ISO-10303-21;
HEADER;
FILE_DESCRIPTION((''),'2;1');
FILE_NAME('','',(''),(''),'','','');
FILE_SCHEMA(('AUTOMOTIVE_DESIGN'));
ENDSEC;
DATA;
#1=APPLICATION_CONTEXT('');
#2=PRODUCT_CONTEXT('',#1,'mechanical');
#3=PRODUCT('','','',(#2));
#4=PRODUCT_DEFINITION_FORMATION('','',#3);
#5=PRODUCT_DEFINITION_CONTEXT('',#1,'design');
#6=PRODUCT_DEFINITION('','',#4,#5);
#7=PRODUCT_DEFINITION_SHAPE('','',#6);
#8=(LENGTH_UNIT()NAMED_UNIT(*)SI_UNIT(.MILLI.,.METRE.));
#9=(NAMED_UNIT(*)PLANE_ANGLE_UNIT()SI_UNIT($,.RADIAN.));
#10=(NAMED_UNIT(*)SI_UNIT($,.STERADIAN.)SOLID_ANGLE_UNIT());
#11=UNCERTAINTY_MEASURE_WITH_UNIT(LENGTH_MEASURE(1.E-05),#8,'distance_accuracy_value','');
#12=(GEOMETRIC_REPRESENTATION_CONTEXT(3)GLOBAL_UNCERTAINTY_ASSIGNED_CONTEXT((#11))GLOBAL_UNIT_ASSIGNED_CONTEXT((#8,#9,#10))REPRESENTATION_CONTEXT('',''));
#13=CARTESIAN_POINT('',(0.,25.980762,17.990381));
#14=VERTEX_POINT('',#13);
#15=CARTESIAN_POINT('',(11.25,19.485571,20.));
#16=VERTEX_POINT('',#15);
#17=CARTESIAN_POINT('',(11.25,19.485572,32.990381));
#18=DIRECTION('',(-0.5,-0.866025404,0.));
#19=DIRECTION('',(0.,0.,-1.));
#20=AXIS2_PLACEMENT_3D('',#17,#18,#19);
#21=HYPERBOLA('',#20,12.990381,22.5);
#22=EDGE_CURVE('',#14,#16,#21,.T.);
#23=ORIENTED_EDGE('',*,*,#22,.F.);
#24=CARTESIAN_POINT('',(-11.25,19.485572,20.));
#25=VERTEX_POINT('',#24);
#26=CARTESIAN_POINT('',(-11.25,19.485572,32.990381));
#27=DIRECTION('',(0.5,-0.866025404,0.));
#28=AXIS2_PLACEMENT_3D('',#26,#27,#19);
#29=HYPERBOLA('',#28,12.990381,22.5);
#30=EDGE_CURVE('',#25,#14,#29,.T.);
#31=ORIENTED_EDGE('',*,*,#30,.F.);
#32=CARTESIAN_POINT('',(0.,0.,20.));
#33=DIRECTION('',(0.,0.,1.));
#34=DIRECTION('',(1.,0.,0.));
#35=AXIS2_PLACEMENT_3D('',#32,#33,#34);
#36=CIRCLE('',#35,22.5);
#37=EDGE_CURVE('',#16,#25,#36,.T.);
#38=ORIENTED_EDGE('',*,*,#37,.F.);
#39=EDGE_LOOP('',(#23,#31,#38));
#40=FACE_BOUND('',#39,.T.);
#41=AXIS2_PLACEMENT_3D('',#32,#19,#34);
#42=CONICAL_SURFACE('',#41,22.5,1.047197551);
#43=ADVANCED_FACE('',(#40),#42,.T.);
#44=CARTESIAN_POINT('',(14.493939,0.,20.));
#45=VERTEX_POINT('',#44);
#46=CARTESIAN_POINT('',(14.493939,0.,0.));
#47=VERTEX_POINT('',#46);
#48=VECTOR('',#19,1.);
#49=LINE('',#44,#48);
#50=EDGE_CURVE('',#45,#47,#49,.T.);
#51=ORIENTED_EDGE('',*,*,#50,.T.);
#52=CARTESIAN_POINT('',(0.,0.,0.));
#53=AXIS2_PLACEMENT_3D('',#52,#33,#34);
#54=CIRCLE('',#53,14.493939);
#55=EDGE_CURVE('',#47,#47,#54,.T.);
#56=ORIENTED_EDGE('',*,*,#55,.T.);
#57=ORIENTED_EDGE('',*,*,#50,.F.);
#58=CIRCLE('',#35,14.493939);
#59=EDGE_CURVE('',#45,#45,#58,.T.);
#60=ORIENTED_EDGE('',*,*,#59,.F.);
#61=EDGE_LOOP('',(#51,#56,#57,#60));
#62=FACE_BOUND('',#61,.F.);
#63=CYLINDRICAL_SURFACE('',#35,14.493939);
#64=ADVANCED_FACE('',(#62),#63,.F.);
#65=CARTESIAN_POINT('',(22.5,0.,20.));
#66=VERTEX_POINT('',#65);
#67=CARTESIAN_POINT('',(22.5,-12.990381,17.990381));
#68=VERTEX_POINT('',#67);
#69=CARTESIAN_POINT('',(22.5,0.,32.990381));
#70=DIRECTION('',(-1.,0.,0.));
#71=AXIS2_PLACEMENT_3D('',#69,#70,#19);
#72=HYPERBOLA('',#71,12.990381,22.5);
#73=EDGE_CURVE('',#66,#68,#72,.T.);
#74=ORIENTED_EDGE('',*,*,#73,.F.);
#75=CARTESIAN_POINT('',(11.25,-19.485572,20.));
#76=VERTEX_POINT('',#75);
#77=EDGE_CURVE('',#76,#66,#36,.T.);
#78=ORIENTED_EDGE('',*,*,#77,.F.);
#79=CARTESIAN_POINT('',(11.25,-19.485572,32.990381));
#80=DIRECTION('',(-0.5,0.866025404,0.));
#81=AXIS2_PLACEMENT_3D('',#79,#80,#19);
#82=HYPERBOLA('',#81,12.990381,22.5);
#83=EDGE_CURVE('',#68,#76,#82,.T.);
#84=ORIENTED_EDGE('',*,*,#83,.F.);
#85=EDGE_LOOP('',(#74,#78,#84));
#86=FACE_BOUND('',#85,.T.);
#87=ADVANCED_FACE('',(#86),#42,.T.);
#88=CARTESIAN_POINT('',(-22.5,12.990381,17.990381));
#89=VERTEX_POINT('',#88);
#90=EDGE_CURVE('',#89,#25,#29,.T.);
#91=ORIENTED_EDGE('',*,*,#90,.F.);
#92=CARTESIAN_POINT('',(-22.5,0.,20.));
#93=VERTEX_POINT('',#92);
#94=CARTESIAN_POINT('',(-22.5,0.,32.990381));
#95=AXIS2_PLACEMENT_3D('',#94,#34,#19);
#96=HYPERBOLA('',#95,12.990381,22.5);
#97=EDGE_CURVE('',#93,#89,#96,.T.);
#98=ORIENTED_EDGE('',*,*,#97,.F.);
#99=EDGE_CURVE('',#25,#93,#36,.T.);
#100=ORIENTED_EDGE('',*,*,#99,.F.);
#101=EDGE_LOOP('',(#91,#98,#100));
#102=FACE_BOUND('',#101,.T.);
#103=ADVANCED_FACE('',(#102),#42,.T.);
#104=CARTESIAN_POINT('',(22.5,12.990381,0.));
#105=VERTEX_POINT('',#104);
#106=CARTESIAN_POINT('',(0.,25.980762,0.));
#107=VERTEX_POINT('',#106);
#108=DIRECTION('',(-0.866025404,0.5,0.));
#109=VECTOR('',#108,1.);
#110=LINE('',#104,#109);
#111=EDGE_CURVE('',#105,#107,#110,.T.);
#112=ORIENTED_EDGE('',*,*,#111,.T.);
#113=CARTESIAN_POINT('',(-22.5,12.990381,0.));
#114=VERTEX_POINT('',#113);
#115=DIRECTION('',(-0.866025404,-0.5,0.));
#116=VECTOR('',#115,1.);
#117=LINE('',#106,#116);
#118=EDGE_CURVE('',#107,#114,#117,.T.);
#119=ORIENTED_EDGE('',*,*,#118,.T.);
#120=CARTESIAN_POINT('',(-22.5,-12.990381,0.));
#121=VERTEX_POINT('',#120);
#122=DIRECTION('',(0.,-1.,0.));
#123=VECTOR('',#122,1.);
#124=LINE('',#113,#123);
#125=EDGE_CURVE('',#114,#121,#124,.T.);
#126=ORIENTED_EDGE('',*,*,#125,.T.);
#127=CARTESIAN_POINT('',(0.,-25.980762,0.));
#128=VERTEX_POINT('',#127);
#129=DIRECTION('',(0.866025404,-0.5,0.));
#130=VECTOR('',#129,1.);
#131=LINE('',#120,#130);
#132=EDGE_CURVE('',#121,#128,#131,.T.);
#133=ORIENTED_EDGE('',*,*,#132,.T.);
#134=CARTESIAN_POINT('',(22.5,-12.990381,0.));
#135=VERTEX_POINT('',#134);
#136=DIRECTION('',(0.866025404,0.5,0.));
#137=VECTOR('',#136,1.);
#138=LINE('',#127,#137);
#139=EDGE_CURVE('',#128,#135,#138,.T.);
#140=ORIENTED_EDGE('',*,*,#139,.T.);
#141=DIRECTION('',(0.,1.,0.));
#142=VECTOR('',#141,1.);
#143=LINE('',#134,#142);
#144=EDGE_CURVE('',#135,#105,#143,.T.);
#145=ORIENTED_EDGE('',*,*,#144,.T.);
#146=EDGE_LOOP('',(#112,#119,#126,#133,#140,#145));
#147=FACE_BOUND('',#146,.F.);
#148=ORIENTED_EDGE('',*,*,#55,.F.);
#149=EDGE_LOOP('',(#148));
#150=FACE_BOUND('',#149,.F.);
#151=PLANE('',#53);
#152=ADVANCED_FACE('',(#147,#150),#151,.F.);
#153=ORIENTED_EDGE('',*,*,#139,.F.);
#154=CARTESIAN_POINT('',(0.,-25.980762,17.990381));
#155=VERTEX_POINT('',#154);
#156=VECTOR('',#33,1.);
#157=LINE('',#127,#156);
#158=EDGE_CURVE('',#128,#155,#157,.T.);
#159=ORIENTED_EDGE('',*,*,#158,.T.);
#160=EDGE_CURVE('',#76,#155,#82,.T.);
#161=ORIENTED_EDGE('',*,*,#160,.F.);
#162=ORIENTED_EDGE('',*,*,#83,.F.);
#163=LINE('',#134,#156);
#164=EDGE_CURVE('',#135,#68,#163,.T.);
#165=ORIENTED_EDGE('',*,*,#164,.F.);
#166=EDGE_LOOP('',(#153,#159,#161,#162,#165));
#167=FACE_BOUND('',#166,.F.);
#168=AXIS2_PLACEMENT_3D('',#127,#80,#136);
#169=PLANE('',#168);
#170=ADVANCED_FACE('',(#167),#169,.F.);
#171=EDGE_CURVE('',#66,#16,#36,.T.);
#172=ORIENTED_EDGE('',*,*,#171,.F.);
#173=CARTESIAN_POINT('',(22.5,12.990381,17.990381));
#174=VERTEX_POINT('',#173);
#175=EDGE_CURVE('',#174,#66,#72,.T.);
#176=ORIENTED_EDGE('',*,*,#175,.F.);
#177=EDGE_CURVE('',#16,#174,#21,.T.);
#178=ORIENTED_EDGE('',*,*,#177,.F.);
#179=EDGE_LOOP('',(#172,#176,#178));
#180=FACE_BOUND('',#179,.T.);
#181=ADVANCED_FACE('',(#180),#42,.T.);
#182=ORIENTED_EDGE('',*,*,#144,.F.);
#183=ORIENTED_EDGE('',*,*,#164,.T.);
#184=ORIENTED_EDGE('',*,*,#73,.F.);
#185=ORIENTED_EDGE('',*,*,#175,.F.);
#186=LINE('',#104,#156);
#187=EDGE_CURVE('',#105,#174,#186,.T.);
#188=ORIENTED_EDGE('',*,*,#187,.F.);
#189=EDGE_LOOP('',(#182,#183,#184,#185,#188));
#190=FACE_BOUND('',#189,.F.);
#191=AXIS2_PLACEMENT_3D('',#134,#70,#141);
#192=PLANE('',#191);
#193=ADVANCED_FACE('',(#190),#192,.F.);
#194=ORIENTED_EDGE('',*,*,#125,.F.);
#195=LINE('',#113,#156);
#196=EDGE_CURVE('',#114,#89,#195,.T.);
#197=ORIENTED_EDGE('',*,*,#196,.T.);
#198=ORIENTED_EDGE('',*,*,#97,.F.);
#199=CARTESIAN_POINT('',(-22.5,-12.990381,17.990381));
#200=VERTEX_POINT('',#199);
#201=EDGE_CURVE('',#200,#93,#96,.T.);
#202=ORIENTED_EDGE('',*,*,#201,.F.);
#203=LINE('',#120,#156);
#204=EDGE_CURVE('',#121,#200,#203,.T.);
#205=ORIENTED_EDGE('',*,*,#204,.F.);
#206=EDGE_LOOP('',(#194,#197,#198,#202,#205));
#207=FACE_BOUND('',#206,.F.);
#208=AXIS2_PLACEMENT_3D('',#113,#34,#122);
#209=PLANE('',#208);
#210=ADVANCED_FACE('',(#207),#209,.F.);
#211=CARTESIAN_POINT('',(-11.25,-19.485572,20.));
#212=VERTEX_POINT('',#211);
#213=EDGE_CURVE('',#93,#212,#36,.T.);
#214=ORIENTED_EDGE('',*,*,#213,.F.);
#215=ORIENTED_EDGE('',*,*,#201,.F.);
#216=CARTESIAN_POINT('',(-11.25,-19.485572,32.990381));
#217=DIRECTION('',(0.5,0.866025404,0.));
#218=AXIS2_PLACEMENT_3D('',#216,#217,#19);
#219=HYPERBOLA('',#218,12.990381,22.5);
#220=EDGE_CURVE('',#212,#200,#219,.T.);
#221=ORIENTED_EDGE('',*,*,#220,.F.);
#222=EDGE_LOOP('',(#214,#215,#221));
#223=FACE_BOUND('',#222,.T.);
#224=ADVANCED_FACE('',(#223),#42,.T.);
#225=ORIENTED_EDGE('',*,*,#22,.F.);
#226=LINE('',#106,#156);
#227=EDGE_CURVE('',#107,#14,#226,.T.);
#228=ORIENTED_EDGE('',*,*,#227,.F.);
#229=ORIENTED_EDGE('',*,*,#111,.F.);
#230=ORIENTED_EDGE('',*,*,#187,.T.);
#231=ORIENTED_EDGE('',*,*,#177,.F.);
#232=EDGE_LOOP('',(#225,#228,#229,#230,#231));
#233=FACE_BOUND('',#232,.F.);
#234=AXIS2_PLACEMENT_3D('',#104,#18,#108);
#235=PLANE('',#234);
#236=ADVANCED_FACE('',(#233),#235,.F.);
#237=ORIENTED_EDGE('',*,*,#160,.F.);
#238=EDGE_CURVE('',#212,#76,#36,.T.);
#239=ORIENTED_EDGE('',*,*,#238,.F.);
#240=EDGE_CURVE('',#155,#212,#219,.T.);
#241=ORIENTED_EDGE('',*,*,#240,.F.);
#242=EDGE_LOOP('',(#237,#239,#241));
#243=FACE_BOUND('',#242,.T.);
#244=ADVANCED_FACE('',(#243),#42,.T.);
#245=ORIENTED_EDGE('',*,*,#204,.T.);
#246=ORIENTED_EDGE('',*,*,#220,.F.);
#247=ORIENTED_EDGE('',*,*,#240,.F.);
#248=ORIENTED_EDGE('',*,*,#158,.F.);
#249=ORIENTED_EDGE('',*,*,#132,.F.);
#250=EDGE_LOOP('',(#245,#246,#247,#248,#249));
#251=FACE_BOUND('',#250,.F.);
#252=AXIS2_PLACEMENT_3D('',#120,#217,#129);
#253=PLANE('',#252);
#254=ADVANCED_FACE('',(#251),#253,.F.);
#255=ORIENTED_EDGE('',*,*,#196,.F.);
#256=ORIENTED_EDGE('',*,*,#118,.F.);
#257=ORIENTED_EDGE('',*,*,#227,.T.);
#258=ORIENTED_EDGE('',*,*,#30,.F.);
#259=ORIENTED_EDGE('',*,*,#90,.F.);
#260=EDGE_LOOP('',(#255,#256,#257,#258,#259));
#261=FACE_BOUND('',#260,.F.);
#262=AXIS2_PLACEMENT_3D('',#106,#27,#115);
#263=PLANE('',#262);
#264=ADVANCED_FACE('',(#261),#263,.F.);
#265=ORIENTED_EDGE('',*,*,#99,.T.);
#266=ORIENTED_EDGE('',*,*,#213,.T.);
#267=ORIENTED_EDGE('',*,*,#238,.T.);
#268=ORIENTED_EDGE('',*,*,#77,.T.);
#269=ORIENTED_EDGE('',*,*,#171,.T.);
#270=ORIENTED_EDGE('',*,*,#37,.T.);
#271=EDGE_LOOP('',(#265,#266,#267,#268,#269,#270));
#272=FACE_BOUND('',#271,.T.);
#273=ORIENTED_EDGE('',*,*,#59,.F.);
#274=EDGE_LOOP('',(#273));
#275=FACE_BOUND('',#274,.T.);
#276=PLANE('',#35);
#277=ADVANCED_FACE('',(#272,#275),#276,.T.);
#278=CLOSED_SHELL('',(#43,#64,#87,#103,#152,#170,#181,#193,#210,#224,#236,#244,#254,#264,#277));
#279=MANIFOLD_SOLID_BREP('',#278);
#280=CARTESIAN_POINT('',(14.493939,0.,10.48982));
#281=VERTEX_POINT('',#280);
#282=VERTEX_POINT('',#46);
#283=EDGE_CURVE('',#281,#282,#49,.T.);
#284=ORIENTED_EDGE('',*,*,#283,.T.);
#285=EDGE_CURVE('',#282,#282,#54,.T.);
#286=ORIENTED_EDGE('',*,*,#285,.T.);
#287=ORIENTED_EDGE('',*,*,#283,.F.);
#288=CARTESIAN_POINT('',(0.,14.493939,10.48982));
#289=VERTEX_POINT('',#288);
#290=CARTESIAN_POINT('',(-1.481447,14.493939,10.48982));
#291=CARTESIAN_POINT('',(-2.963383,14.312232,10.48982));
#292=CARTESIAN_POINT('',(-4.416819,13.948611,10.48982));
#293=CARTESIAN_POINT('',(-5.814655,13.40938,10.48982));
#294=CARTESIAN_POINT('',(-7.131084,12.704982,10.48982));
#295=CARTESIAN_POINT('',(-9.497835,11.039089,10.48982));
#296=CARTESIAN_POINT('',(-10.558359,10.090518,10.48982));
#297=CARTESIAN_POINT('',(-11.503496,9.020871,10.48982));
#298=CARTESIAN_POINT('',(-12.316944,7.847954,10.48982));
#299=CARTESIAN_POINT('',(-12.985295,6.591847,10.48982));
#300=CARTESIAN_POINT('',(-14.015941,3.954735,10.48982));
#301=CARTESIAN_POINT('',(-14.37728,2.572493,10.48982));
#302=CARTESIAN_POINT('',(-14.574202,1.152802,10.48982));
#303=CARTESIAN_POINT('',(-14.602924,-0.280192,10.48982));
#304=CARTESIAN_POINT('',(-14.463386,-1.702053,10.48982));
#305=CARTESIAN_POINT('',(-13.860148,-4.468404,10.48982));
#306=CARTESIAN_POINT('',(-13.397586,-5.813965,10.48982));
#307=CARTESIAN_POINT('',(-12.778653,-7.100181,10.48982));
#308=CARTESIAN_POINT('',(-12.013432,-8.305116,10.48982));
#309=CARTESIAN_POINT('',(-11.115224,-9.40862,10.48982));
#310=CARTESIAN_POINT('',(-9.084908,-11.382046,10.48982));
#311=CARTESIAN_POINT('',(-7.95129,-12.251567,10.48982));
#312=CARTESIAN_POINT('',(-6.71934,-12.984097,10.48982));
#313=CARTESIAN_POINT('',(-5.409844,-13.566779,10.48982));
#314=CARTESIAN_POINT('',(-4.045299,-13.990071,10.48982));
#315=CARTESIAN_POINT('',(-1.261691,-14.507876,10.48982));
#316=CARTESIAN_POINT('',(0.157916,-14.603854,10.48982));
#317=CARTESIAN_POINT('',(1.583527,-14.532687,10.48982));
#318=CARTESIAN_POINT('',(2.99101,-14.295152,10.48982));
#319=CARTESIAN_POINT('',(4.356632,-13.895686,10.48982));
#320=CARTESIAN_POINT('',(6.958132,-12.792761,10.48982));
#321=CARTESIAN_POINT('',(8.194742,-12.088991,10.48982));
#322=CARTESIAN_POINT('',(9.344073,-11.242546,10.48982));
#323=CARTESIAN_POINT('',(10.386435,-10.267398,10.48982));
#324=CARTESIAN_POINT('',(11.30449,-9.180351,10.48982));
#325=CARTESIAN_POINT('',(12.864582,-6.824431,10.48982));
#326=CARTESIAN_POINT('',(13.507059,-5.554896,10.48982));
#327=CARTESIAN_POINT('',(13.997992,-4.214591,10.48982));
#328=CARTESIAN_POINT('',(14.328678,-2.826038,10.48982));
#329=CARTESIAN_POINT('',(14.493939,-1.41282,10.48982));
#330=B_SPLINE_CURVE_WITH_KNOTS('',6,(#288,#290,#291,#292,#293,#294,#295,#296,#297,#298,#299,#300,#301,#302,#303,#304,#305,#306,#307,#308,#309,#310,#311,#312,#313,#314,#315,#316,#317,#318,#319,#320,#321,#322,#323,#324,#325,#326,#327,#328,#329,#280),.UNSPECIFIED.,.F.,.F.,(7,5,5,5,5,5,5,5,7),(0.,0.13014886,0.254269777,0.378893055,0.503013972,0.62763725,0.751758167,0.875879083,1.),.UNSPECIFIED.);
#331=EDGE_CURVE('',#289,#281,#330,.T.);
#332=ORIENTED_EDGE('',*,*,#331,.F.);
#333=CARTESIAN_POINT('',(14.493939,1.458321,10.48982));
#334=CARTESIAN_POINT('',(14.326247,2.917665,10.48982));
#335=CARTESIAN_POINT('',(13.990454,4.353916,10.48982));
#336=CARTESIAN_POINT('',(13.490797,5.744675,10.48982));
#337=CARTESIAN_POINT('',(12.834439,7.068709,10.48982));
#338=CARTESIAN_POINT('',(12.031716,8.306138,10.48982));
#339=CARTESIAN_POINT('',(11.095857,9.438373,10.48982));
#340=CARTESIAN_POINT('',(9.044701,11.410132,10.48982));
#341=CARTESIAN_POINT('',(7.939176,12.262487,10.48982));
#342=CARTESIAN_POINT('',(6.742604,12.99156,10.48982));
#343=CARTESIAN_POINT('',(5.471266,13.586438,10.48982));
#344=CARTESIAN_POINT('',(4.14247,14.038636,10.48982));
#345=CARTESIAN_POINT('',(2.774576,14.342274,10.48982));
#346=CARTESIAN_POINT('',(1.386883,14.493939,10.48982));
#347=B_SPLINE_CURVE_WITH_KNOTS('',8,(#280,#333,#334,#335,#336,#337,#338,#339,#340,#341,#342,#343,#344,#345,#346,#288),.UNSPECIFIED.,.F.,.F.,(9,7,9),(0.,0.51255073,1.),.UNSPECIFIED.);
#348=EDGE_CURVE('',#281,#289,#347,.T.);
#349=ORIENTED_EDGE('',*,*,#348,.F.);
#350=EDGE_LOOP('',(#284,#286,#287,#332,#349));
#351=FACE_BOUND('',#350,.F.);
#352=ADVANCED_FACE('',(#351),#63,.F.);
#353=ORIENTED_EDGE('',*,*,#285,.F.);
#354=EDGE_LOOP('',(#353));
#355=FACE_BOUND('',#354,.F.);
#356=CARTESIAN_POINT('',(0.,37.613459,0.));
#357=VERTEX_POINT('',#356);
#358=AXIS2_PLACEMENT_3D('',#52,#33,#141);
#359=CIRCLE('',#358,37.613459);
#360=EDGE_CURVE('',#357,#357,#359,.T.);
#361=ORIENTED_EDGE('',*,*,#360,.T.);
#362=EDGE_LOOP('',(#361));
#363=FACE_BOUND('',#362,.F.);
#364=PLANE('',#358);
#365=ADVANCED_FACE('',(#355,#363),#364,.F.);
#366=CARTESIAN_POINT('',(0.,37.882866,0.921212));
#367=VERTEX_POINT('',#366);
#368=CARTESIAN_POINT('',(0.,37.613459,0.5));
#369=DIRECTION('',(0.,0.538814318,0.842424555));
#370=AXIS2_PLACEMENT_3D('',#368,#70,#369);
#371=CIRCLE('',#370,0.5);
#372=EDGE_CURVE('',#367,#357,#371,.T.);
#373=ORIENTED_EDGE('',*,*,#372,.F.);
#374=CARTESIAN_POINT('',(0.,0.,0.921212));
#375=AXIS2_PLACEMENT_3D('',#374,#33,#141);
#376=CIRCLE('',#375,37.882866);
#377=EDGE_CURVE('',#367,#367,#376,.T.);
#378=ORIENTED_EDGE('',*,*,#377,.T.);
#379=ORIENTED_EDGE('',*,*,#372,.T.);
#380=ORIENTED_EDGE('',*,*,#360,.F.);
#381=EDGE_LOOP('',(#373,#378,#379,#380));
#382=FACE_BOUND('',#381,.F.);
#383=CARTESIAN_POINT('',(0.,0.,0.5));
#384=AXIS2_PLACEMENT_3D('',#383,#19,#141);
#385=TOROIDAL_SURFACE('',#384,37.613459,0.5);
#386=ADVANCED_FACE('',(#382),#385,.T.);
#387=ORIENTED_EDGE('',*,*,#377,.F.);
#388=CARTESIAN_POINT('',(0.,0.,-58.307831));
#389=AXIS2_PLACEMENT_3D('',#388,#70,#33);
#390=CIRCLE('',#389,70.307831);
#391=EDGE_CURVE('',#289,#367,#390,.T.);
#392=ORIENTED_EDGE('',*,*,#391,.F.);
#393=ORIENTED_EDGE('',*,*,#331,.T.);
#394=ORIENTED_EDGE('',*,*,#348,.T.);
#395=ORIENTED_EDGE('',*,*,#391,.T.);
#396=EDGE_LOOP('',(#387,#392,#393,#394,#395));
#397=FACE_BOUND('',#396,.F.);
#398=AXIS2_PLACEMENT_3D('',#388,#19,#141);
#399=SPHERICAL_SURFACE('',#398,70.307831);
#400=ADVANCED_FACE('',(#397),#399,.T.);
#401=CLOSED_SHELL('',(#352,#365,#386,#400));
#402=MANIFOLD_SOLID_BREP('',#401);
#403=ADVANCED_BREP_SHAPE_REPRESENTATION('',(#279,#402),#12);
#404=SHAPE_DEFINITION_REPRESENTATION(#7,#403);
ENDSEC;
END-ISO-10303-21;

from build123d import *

# Parameters (mm, degrees)
BOSS_EXTRUDE1_DEPTH = 20
SKETCH3_OUTSIDE_W   = 169.436
SKETCH3_OUTSIDE_H   = 169.436
SKETCH3_OUTSIDE_R   = 22.5
CUT_EXTRUDE1_DEPTH  = 20
CUT_EXTRUDE1_DRAFT  = -60
SKETCH4_R           = 14.493939327
CUT_EXTRUDE3_DEPTH  = 58.491490699


with BuildPart() as part:
    # Sketch1 → Boss-Extrude1 (new body)
    with BuildSketch(Plane.XY):
        Polygon((22.5, -12.990381057), (22.5, 12.990381057), (0, 25.980762114), (-22.5, 12.990381057), (-22.5, -12.990381057), (0, -25.980762114), align=None)
    extrude(amount=BOSS_EXTRUDE1_DEPTH)


with BuildPart() as body_2:
    # Sketch2 → Revolve2 (revolve)
    with BuildSketch(Plane(origin=(0, 0, 0), x_dir=(0, 0, -1), z_dir=(1, 0, 0)), mode=Mode.PRIVATE) as revolve2_sk:
        with BuildLine():
            Line((0, 0), (-12, 0))
            ThreePointArc((-12, 0), (-9.173487396, -19.734811075), (-0.921212278, -37.882865986))
            ThreePointArc((-0.921212278, -37.882865986), (-0.359654246, -38.093357847), (0, -37.613458827))
            Line((0, -37.613458827), (0, 0))
        make_face()
    revolve(revolve2_sk.sketch.rotate(Axis((0, 0, 0), (0, 0, 1)), 180), axis=Axis((0, 0, 0), (0, 0, 1)))


with BuildPart() as cut_extrude1_tool:
    # Sketch3 outside → Cut-Extrude1 (with draft: the straight prism first)
    with BuildSketch(Plane.XY.offset(20)):
        Rectangle(SKETCH3_OUTSIDE_W, SKETCH3_OUTSIDE_H)
        Circle(SKETCH3_OUTSIDE_R, mode=Mode.SUBTRACT)
    extrude(amount=-CUT_EXTRUDE1_DEPTH)
    # Cut-Extrude1: the draft: its side faces are tilted about the plane it starts from
    cut_extrude1_sides = [cut_extrude1_tool.faces().sort_by_distance(p)[0] for p in [
        (0, -84.718, 10),
        (84.718, 0, 10),
        (0, 84.718, 10),
        (-84.718, 0, 10),
        (-22.5, 0, 10),
    ]]
    draft(cut_extrude1_sides, Plane.XY.offset(20), CUT_EXTRUDE1_DRAFT)


with BuildPart() as part_1:
    add(part.part)

    # Cut-Extrude1: cut by cut_extrude1_tool
    add(cut_extrude1_tool.part, mode=Mode.SUBTRACT)


with BuildPart() as cut_extrude3_tool:
    # Sketch4 → Cut-Extrude3 (new, through all)
    with BuildSketch(Plane.XY.offset(20)):
        Circle(SKETCH4_R)
    extrude(amount=-CUT_EXTRUDE3_DEPTH)


with BuildPart() as part_2:
    add(part_1.part)

    # Cut-Extrude3: cut by cut_extrude3_tool
    add(cut_extrude3_tool.part, mode=Mode.SUBTRACT)


with BuildPart() as body_2_1:
    add(body_2.part)

    # Cut-Extrude3: cut by cut_extrude3_tool
    add(cut_extrude3_tool.part, mode=Mode.SUBTRACT)


solid = Compound([part_2.part, body_2_1.part])
